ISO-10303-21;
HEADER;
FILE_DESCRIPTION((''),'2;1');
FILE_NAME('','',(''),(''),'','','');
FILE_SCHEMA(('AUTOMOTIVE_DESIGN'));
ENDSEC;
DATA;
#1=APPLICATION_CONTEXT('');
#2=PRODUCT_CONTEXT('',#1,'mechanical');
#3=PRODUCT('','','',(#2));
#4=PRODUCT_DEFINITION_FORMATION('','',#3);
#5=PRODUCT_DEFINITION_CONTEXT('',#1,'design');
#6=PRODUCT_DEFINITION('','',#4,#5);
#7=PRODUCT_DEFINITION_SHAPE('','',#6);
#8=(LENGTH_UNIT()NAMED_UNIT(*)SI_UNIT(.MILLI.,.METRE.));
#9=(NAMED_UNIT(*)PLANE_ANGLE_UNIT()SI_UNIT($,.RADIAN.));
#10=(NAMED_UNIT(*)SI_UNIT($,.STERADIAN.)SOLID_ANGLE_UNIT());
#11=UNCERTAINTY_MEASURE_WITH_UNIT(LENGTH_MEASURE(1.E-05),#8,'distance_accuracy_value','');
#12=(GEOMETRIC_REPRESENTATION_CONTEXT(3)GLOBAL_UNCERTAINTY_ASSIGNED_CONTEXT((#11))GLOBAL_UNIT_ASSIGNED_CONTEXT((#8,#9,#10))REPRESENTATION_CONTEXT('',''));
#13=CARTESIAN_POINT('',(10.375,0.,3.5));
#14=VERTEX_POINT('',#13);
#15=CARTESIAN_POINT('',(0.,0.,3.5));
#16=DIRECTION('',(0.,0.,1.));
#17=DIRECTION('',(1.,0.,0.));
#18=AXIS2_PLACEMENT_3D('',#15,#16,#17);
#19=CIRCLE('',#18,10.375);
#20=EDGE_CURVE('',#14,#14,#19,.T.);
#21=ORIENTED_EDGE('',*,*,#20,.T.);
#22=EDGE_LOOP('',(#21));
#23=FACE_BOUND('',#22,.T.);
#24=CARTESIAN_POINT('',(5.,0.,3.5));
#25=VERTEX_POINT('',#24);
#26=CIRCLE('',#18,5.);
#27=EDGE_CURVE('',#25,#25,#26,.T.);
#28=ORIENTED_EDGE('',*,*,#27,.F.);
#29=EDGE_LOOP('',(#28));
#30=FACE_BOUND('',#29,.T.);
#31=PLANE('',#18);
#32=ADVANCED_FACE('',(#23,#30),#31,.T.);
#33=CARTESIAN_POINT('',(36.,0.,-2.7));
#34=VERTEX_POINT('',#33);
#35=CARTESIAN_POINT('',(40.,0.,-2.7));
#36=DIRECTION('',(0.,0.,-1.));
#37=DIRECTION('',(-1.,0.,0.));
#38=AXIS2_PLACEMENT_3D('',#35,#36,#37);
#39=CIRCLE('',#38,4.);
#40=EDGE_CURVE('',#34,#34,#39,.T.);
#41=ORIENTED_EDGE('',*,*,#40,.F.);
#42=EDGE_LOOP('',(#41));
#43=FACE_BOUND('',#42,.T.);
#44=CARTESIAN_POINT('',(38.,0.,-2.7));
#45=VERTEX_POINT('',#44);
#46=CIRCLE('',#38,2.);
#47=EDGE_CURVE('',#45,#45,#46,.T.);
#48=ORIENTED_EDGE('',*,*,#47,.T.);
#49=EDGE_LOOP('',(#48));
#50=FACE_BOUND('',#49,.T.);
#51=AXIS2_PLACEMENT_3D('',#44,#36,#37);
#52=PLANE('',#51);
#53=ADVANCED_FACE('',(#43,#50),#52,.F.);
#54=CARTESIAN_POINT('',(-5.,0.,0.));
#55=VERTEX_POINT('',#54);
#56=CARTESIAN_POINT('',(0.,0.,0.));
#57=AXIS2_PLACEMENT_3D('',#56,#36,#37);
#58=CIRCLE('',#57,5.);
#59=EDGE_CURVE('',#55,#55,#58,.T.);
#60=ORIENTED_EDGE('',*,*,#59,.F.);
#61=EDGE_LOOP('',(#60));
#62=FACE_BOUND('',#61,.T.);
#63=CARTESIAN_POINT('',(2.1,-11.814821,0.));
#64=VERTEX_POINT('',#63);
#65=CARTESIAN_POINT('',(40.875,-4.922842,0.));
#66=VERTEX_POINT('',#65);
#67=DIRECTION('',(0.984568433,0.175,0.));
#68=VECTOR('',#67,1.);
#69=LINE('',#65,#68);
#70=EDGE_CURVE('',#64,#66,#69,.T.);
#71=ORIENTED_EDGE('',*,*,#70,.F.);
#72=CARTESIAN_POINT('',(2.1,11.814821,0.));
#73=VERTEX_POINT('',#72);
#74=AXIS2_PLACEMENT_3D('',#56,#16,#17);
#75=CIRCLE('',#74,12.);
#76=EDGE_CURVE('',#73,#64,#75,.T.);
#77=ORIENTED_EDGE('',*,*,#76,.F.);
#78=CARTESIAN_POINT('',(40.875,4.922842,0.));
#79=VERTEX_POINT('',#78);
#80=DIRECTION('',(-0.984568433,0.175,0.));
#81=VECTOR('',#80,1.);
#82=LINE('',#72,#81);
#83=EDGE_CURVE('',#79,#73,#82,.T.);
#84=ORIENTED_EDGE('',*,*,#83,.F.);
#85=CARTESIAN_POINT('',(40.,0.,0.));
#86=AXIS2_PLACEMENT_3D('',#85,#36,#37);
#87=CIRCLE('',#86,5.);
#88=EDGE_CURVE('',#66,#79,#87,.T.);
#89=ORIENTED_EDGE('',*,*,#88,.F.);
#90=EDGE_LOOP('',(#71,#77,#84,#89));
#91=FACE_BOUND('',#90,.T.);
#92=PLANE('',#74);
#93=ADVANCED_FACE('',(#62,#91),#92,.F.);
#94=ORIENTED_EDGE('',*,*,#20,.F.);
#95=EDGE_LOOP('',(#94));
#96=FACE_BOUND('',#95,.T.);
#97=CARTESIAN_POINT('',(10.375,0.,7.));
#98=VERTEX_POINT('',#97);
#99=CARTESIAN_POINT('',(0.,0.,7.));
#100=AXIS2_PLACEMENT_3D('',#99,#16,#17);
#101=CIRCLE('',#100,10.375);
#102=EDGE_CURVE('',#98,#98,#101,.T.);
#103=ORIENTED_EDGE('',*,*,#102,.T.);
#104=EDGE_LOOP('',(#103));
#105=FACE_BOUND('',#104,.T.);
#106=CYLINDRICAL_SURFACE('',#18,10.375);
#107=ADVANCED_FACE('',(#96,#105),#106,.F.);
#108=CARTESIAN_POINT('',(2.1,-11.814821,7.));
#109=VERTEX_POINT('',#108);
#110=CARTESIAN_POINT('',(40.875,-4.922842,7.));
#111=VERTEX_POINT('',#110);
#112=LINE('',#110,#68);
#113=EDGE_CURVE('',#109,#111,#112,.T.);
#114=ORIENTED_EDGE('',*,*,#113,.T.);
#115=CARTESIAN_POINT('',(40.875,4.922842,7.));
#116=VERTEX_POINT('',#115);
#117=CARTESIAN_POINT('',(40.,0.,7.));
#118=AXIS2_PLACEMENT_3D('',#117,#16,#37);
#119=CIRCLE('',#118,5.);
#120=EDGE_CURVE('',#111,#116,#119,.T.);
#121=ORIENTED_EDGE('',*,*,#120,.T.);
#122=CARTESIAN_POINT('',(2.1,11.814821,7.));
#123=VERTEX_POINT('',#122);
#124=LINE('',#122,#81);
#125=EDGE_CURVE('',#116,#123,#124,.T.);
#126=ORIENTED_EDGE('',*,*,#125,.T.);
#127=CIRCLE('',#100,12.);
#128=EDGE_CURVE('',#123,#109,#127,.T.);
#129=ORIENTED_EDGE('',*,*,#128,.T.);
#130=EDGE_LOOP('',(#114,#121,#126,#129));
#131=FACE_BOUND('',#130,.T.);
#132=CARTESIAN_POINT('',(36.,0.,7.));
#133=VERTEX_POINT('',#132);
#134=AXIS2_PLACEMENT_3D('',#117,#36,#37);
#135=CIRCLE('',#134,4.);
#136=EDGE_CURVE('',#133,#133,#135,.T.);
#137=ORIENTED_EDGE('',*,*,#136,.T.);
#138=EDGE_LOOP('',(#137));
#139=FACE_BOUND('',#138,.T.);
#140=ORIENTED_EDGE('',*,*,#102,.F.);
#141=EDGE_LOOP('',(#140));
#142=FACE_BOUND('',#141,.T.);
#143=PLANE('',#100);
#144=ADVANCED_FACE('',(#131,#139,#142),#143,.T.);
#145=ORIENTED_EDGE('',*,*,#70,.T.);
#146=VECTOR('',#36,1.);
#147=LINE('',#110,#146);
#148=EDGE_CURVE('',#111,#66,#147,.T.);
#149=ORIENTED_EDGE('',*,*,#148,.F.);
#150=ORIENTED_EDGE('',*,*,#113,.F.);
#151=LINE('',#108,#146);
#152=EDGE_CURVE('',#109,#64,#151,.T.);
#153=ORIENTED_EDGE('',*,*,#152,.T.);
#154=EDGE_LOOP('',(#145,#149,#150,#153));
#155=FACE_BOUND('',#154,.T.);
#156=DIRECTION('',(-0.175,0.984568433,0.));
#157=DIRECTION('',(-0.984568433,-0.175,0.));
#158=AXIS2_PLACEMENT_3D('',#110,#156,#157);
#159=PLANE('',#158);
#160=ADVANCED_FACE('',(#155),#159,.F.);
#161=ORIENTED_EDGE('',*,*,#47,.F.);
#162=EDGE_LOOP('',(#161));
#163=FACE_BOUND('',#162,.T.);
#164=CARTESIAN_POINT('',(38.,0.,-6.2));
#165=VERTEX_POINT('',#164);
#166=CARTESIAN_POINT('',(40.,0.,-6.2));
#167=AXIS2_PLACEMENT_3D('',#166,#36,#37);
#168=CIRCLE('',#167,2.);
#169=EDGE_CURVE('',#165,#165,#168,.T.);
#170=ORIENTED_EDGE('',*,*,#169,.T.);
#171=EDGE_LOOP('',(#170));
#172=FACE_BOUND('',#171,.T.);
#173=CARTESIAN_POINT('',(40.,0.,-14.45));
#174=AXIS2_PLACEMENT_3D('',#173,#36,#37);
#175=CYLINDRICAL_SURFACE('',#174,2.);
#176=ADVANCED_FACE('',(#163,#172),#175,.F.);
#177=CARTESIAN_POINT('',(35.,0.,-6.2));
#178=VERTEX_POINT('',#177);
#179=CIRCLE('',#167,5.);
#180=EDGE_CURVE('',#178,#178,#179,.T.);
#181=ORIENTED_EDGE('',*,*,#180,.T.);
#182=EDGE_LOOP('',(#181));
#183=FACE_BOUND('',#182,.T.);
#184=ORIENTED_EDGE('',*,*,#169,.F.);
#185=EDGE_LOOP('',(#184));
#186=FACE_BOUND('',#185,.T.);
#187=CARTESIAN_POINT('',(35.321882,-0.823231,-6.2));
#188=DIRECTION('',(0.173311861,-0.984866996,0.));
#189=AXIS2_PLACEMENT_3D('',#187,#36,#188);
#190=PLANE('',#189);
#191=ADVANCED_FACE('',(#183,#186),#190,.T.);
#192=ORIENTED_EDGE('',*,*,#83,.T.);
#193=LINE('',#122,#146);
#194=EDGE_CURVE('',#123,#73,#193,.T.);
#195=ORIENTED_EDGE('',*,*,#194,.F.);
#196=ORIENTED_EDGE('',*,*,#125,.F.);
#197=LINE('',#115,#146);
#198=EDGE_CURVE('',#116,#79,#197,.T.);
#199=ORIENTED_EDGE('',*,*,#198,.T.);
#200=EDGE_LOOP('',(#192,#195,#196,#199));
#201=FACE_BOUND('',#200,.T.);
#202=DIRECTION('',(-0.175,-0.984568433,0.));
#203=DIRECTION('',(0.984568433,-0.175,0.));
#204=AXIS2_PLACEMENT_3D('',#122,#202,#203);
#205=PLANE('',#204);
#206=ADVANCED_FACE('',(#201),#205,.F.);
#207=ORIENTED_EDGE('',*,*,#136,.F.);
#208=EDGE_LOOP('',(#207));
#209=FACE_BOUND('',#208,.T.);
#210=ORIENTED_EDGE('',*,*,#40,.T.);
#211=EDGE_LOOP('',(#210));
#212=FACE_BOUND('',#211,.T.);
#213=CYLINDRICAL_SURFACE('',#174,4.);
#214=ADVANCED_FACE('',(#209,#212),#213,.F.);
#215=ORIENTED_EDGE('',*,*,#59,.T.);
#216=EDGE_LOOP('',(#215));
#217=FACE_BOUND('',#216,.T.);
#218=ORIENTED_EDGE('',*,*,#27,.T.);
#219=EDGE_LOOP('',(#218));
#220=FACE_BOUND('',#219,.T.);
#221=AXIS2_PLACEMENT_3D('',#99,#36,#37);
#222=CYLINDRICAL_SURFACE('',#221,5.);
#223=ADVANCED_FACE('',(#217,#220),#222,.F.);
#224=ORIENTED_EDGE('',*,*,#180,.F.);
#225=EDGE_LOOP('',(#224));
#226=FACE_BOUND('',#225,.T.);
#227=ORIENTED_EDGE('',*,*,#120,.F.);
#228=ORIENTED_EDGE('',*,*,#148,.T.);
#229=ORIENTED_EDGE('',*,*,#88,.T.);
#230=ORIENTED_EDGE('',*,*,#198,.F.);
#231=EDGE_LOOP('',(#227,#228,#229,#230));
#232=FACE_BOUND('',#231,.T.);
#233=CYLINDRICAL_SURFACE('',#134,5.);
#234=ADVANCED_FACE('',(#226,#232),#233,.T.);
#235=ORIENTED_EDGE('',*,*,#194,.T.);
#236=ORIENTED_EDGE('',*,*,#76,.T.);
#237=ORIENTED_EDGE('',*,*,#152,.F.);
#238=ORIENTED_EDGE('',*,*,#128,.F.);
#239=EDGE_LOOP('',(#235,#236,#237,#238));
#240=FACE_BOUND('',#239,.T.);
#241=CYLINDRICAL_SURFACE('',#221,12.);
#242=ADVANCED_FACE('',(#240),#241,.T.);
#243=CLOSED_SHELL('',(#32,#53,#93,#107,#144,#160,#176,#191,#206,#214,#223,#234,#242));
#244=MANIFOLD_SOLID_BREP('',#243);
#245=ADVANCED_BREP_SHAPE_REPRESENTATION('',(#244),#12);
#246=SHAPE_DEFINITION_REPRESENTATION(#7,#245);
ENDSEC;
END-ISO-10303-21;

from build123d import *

# Parameters (mm, degrees)
EXTRUDE_1_DEPTH     = 7
SKETCH_2_R          = 10.375
CUT_EXTRUDE_1_DEPTH = 3.5
SKETCH_6_R          = 5
CUT_EXTRUDE_2_DEPTH = 48.095647357
EXTRUDE_START       = 6.2
SKETCH_8_R          = 5
EXTRUDE_2_DEPTH     = 6.2


with BuildPart() as part:
    # 草图1 → 凸台-拉伸1 (new body)
    with BuildSketch(Plane.XY):
        with BuildLine():
            Line((2.1, 11.814821201), (40.875, 4.922842167))
            ThreePointArc((40.875, 4.922842167), (45, 0), (40.875, -4.922842167))
            Line((40.875, -4.922842167), (2.1, -11.814821201))
            ThreePointArc((2.1, -11.814821201), (-12, 0), (2.1, 11.814821201))
        make_face()
    extrude(amount=EXTRUDE_1_DEPTH)

    # 草图2 → 切除-拉伸1 (cut)
    with BuildSketch(Plane.XY.offset(7)):
        Circle(SKETCH_2_R)
    extrude(amount=-CUT_EXTRUDE_1_DEPTH, mode=Mode.SUBTRACT)

    # 草图6 → 切除-拉伸2 (cut, through all)
    with BuildSketch(Plane(origin=(0, 0, 0), x_dir=(-1, 0, 0), z_dir=(0, 0, -1))):
        Circle(SKETCH_6_R)
    extrude(amount=-CUT_EXTRUDE_2_DEPTH, mode=Mode.SUBTRACT)

    # 草图8 → 凸台-拉伸2 (add)
    with BuildSketch(Plane(origin=(0, 0, 0), x_dir=(-1, 0, 0), z_dir=(0, 0, -1)).offset(EXTRUDE_START)):
        with Locations((-40, 0)):
            Circle(SKETCH_8_R)
    extrude(amount=-EXTRUDE_2_DEPTH)

    # 草图9 → 切除-旋转1 (revolve, cut)
    with BuildSketch(Plane(origin=(0, 0, 0), x_dir=(1, 0, 0), z_dir=(0, 1, 0))):
        Polygon((40, 6.2), (38, 6.2), (38, 2.7), (36, 2.7), (36, -7), (40, -7), align=None)
    revolve(axis=Axis((40, 0, -14.45), (0, 0, 1)), mode=Mode.SUBTRACT)


solid = part.part
